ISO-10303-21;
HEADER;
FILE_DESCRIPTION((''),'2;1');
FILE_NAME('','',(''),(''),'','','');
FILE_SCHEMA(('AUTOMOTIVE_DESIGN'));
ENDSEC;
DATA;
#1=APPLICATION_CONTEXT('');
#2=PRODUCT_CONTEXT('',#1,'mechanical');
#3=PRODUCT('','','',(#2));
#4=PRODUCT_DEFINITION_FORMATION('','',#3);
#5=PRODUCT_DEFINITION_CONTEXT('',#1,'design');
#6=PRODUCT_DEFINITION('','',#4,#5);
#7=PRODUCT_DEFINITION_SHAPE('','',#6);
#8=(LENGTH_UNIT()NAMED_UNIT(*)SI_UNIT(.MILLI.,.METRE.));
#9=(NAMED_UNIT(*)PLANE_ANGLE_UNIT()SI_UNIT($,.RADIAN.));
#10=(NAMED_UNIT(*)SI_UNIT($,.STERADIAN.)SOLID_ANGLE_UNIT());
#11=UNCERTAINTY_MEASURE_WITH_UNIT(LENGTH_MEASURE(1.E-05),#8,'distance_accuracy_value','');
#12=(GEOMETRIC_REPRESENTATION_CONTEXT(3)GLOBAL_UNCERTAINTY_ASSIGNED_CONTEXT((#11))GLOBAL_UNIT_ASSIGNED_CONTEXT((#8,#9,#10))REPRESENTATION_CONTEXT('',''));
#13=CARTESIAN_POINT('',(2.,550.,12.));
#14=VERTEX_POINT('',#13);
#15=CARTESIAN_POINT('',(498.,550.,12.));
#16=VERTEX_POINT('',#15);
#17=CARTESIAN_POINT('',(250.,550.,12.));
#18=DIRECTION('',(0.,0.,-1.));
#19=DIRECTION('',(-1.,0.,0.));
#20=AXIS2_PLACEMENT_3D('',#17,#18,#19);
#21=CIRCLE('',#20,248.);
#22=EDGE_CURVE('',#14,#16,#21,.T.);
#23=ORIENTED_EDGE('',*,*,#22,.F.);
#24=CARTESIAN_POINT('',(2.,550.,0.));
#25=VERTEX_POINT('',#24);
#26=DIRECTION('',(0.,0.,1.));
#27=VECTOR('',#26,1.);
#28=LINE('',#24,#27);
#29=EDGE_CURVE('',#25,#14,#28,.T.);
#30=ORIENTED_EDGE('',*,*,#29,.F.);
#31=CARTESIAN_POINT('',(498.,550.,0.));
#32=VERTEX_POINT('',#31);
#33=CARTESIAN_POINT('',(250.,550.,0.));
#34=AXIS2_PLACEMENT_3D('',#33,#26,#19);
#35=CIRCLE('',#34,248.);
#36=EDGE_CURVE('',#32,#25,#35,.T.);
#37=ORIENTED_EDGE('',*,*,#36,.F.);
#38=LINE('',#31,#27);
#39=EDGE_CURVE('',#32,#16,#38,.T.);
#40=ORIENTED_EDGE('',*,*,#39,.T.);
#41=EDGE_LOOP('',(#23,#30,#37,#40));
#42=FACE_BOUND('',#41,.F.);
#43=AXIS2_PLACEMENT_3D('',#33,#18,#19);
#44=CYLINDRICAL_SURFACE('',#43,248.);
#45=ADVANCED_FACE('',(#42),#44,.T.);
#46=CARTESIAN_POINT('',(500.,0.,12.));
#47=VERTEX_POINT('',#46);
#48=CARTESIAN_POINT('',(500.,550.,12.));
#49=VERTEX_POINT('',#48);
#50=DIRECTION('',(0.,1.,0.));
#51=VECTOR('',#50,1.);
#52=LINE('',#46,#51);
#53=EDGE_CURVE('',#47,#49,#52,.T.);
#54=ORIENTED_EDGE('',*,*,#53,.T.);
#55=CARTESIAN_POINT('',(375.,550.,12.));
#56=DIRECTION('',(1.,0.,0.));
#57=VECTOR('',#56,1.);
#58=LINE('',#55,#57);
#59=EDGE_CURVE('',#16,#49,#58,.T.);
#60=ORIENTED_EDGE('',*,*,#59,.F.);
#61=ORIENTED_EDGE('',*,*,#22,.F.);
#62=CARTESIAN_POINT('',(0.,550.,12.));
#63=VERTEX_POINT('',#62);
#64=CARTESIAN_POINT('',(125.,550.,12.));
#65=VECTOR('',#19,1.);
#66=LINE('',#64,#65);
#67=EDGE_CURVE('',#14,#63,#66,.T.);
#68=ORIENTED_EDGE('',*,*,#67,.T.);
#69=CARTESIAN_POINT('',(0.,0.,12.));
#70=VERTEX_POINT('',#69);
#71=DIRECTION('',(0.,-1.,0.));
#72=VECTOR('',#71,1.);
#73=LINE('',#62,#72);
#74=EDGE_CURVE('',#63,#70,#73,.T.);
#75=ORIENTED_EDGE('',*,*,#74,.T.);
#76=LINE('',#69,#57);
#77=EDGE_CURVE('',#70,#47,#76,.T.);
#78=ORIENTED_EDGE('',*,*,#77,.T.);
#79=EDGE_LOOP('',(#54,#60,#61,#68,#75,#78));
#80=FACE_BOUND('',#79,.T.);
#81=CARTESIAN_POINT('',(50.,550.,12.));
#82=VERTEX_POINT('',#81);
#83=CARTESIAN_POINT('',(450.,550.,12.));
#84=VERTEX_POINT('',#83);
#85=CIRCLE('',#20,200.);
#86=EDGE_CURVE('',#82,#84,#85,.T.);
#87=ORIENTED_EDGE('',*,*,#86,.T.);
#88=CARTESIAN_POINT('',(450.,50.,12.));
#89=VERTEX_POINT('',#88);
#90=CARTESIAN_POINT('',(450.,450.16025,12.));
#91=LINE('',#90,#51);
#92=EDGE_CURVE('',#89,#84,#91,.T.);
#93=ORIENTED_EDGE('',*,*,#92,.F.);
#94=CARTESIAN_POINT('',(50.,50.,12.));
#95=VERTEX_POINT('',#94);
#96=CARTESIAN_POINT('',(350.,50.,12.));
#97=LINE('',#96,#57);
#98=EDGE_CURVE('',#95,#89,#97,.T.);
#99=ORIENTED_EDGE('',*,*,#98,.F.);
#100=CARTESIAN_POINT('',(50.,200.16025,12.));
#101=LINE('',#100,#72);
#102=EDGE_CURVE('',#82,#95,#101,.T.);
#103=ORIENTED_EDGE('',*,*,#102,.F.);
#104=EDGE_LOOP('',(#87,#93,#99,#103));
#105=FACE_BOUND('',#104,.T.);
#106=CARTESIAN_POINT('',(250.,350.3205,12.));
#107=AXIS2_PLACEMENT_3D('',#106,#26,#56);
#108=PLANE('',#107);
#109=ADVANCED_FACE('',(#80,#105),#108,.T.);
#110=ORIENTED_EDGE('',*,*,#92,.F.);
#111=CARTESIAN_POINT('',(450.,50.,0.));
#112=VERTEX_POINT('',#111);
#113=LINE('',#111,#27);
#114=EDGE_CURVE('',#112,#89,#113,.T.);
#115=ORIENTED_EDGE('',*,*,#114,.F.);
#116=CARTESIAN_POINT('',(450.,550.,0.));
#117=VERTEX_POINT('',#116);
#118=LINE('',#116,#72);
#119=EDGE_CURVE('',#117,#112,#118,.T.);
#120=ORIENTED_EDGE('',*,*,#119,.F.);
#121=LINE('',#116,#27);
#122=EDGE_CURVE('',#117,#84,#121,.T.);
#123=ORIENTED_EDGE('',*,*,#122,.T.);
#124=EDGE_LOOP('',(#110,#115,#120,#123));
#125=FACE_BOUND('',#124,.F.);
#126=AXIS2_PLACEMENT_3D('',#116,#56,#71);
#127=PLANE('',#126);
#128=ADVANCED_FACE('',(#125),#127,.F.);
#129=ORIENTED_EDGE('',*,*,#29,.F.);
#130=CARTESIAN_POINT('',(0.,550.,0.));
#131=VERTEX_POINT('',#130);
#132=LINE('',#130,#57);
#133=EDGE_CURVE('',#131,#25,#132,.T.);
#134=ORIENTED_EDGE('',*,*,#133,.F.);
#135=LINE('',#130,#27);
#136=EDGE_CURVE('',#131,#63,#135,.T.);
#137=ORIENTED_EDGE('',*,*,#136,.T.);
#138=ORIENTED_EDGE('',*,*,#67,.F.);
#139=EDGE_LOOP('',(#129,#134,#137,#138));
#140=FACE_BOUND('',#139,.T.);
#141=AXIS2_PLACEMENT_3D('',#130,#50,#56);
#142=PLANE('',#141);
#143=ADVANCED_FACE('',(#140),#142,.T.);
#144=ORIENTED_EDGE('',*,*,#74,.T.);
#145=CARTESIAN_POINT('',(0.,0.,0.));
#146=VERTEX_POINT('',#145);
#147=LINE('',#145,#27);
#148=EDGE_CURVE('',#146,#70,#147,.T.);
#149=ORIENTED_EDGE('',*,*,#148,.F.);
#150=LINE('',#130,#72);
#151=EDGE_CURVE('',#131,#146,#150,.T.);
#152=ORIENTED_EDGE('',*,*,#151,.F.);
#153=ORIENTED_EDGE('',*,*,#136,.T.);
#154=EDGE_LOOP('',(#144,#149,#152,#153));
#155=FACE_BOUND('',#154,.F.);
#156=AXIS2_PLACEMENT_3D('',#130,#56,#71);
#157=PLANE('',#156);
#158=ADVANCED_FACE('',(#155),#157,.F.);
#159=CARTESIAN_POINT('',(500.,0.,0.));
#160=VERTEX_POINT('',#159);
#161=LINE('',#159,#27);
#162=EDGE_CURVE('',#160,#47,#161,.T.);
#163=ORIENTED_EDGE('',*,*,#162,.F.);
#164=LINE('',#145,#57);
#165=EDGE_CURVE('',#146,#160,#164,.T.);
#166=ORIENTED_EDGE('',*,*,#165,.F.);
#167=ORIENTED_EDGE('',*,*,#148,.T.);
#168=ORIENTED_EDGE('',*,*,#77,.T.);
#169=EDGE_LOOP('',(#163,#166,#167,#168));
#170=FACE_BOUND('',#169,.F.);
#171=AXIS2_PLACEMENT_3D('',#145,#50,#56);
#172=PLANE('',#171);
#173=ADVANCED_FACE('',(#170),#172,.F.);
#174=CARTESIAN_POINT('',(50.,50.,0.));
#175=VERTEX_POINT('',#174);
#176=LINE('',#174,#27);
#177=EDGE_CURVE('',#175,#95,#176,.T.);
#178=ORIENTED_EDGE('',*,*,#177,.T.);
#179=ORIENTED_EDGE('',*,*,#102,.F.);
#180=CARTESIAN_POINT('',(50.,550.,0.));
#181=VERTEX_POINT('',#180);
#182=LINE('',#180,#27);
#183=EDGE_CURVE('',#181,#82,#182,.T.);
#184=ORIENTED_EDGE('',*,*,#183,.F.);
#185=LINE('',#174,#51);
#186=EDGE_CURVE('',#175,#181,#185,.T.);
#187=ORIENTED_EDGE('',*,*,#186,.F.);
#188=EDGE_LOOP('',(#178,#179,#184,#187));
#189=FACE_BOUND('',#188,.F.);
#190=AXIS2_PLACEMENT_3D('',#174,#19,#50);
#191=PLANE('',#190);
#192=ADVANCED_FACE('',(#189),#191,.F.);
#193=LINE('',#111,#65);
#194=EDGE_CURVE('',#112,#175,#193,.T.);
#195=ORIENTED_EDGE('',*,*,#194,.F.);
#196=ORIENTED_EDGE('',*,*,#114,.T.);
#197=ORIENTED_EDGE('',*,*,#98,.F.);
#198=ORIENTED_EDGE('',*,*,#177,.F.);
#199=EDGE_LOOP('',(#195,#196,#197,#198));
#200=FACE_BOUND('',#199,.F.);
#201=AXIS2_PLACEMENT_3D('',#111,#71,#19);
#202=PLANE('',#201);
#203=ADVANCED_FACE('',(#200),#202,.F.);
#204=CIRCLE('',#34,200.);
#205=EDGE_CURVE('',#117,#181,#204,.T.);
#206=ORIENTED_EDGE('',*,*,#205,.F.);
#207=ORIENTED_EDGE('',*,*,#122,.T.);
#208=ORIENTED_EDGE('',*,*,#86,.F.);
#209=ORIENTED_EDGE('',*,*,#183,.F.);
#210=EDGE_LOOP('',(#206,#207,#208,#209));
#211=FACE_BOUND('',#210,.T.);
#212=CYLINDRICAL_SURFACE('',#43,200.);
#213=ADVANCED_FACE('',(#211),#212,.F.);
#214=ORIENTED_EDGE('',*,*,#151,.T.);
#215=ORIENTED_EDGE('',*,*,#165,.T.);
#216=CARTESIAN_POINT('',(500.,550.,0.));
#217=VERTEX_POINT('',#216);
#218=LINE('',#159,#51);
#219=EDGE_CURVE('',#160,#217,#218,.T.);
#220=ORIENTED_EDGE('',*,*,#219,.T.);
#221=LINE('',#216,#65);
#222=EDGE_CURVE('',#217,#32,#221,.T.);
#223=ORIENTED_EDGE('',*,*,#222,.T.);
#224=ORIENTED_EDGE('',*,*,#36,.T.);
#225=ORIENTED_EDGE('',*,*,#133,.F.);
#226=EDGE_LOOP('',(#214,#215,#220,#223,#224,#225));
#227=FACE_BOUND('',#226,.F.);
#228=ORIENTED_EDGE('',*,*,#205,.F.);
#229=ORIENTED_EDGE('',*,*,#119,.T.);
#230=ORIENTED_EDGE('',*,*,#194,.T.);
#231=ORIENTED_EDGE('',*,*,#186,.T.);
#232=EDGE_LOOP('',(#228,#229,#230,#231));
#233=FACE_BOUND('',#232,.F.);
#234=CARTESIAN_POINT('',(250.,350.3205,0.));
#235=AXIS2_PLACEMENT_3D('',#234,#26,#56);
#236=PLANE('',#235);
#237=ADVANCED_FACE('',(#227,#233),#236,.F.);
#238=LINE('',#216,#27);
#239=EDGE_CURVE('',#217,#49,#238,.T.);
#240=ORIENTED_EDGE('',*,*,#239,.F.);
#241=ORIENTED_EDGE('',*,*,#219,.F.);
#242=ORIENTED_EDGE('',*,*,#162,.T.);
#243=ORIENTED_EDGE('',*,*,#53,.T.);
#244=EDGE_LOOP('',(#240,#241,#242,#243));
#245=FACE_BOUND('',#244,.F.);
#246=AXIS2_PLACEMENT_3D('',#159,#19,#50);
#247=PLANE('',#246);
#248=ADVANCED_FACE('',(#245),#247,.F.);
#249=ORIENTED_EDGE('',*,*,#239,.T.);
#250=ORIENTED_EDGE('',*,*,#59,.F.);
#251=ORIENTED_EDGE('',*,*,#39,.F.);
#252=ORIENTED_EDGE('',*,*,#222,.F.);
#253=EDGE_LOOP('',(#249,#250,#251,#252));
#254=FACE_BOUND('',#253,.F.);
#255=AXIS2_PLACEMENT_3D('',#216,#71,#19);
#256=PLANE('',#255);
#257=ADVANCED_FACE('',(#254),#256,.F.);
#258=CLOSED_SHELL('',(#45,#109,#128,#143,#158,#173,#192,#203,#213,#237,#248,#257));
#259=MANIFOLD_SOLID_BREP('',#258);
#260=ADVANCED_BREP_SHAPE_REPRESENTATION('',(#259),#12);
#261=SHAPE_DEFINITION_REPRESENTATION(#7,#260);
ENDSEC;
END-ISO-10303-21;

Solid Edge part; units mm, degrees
sketch "Sketch1" plane through (0, 0, 0) normal (0, 0, 1) x (1, 0, 0)
  line L0 (0, 0) -> (500, 0)
  line L1 (500, 0) -> (500, 550)
  arc A0 (0, 550) -> (500, 550) centre (250, 550) cw
  line L2 (0, 550) -> (0, 0)
  dimension "D1" = 550
  dimension "D2" = 500
extrude "Protrusion1" add sketch "Sketch1" along normal blind 12
sketch "Sketch2" plane through (250, 400, 0) normal (0, 0, -1) x (-1, 0, 0)
  line L0 (250, 150) -> (248, 150)
  arc A0 (-248, 150) -> (248, 150) centre (0, 150) cw
  line L1 (-250, 150) -> (-248, 150)
  arc A1 (250, 150) -> (-250, 150) centre (0, 150) ccw
extrude "Ausschnitt_6" cut sketch "Sketch2" against normal blind 184.2167
sketch "Sketch3" plane through (250, 399, 0) normal (0, 0, -1) x (-1, 0, 0)
  line L0 (-200, -349) -> (200, -349)
  line L1 (200, -349) -> (200, 151)
  arc A0 (-200, 151) -> (200, 151) centre (0, 151) cw
  line L2 (-200, 151) -> (-200, -349)
  dimension "D1" = 200
  dimension "D2" = 200
extrude "Ausschnitt_7" cut sketch "Sketch3" against normal blind 568.3558
